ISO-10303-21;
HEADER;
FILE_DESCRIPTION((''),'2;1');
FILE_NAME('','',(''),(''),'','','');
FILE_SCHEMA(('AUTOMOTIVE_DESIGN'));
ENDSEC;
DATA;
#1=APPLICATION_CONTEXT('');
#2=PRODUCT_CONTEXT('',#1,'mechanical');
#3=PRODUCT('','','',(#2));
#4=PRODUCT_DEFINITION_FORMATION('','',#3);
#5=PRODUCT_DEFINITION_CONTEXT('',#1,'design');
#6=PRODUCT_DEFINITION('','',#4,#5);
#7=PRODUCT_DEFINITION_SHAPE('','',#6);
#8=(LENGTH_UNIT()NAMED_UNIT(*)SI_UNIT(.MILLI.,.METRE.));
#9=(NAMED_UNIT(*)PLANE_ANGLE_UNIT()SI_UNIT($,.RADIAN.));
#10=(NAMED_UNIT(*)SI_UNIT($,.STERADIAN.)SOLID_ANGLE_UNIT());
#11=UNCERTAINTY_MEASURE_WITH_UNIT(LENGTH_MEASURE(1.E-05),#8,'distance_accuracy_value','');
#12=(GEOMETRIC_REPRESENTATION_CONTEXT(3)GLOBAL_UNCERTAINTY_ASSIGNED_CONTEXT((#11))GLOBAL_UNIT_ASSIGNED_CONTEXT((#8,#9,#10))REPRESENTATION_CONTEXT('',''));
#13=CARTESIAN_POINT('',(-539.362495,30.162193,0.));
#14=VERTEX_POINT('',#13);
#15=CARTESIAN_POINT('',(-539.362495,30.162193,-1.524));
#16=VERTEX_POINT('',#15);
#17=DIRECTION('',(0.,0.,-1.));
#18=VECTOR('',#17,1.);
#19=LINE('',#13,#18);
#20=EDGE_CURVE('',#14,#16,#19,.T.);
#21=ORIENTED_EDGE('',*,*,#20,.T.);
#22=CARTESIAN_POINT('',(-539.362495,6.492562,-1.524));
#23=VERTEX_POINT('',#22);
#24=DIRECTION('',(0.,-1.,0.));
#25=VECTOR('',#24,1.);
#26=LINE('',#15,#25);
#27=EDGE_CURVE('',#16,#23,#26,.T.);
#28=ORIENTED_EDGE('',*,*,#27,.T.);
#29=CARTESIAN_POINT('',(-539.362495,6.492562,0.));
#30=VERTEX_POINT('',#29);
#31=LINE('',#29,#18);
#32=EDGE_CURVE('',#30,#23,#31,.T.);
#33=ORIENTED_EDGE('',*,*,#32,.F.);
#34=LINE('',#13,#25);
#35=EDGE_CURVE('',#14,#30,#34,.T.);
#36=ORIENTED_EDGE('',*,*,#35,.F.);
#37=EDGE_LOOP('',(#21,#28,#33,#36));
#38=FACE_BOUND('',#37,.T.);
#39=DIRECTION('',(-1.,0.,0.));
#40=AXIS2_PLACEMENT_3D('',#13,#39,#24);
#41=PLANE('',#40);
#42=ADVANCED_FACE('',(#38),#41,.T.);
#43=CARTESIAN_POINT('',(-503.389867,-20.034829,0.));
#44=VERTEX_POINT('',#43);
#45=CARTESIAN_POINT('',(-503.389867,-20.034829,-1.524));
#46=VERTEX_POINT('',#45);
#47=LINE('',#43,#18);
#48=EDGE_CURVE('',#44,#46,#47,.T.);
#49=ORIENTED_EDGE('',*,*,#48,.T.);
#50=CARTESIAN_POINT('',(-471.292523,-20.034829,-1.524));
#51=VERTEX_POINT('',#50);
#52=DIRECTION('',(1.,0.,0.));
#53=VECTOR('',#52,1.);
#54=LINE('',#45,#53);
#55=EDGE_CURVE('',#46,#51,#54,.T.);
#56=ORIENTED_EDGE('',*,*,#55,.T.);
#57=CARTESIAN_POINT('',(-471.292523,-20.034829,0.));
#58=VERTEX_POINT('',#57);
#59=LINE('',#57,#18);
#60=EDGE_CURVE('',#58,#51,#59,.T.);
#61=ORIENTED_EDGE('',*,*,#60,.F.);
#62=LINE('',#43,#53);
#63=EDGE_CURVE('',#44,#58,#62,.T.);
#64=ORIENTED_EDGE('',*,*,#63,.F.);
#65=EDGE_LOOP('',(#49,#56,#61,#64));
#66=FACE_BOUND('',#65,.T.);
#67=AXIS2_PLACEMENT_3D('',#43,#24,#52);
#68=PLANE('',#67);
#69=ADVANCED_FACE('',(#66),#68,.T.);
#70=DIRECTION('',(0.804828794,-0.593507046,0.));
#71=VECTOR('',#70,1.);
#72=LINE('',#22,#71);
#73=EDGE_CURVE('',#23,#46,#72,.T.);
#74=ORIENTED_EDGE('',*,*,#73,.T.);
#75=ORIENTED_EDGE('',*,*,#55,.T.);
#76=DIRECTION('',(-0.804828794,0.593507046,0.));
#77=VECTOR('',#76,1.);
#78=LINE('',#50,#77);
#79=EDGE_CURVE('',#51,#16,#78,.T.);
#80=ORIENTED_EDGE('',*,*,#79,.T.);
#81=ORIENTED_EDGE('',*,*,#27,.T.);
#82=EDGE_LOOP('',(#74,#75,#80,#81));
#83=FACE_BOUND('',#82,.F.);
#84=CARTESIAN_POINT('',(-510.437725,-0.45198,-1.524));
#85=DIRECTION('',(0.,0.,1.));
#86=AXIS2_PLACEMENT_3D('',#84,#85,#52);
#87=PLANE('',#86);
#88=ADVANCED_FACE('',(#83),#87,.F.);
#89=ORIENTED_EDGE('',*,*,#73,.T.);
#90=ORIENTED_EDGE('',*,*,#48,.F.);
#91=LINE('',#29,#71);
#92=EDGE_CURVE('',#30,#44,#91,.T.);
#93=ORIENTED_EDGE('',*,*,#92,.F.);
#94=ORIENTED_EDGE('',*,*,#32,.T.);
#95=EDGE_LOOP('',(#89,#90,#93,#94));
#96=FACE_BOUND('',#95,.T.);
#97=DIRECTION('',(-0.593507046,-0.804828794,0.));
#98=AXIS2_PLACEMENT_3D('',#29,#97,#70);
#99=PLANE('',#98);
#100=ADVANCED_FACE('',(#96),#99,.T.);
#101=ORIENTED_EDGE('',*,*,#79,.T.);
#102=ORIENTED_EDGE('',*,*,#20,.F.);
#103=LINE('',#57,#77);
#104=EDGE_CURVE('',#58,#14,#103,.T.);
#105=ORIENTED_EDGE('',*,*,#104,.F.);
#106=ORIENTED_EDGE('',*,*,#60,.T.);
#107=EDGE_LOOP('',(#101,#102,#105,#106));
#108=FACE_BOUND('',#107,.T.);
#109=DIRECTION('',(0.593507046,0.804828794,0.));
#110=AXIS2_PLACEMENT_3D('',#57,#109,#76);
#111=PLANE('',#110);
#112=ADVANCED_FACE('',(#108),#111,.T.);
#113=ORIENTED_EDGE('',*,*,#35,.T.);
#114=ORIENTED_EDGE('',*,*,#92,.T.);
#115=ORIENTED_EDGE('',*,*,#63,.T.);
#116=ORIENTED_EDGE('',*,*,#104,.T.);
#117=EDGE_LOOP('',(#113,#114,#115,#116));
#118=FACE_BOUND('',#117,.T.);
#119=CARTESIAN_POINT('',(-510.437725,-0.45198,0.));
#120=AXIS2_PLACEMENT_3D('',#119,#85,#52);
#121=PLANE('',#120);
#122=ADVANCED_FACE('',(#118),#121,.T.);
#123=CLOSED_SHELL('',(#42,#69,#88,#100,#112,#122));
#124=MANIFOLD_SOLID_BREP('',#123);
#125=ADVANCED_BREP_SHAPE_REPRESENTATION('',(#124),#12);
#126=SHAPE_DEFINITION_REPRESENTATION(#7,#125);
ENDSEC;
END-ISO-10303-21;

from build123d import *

# Parameters (mm, degrees)
BOSS_EXTRUDE1_DEPTH = 1.524


with BuildPart() as part:
    # Sketch4 → Boss-Extrude1 (new body)
    with BuildSketch(Plane(origin=(0, 0, 0), x_dir=(-1, 0, 0), z_dir=(0, 0, -1))):
        Polygon((471.292522592, -20.034828887), (539.362495023, 30.162192579), (539.362495023, 6.492562277), (503.389866918, -20.034828887), align=None)
    extrude(amount=BOSS_EXTRUDE1_DEPTH)


solid = part.part
